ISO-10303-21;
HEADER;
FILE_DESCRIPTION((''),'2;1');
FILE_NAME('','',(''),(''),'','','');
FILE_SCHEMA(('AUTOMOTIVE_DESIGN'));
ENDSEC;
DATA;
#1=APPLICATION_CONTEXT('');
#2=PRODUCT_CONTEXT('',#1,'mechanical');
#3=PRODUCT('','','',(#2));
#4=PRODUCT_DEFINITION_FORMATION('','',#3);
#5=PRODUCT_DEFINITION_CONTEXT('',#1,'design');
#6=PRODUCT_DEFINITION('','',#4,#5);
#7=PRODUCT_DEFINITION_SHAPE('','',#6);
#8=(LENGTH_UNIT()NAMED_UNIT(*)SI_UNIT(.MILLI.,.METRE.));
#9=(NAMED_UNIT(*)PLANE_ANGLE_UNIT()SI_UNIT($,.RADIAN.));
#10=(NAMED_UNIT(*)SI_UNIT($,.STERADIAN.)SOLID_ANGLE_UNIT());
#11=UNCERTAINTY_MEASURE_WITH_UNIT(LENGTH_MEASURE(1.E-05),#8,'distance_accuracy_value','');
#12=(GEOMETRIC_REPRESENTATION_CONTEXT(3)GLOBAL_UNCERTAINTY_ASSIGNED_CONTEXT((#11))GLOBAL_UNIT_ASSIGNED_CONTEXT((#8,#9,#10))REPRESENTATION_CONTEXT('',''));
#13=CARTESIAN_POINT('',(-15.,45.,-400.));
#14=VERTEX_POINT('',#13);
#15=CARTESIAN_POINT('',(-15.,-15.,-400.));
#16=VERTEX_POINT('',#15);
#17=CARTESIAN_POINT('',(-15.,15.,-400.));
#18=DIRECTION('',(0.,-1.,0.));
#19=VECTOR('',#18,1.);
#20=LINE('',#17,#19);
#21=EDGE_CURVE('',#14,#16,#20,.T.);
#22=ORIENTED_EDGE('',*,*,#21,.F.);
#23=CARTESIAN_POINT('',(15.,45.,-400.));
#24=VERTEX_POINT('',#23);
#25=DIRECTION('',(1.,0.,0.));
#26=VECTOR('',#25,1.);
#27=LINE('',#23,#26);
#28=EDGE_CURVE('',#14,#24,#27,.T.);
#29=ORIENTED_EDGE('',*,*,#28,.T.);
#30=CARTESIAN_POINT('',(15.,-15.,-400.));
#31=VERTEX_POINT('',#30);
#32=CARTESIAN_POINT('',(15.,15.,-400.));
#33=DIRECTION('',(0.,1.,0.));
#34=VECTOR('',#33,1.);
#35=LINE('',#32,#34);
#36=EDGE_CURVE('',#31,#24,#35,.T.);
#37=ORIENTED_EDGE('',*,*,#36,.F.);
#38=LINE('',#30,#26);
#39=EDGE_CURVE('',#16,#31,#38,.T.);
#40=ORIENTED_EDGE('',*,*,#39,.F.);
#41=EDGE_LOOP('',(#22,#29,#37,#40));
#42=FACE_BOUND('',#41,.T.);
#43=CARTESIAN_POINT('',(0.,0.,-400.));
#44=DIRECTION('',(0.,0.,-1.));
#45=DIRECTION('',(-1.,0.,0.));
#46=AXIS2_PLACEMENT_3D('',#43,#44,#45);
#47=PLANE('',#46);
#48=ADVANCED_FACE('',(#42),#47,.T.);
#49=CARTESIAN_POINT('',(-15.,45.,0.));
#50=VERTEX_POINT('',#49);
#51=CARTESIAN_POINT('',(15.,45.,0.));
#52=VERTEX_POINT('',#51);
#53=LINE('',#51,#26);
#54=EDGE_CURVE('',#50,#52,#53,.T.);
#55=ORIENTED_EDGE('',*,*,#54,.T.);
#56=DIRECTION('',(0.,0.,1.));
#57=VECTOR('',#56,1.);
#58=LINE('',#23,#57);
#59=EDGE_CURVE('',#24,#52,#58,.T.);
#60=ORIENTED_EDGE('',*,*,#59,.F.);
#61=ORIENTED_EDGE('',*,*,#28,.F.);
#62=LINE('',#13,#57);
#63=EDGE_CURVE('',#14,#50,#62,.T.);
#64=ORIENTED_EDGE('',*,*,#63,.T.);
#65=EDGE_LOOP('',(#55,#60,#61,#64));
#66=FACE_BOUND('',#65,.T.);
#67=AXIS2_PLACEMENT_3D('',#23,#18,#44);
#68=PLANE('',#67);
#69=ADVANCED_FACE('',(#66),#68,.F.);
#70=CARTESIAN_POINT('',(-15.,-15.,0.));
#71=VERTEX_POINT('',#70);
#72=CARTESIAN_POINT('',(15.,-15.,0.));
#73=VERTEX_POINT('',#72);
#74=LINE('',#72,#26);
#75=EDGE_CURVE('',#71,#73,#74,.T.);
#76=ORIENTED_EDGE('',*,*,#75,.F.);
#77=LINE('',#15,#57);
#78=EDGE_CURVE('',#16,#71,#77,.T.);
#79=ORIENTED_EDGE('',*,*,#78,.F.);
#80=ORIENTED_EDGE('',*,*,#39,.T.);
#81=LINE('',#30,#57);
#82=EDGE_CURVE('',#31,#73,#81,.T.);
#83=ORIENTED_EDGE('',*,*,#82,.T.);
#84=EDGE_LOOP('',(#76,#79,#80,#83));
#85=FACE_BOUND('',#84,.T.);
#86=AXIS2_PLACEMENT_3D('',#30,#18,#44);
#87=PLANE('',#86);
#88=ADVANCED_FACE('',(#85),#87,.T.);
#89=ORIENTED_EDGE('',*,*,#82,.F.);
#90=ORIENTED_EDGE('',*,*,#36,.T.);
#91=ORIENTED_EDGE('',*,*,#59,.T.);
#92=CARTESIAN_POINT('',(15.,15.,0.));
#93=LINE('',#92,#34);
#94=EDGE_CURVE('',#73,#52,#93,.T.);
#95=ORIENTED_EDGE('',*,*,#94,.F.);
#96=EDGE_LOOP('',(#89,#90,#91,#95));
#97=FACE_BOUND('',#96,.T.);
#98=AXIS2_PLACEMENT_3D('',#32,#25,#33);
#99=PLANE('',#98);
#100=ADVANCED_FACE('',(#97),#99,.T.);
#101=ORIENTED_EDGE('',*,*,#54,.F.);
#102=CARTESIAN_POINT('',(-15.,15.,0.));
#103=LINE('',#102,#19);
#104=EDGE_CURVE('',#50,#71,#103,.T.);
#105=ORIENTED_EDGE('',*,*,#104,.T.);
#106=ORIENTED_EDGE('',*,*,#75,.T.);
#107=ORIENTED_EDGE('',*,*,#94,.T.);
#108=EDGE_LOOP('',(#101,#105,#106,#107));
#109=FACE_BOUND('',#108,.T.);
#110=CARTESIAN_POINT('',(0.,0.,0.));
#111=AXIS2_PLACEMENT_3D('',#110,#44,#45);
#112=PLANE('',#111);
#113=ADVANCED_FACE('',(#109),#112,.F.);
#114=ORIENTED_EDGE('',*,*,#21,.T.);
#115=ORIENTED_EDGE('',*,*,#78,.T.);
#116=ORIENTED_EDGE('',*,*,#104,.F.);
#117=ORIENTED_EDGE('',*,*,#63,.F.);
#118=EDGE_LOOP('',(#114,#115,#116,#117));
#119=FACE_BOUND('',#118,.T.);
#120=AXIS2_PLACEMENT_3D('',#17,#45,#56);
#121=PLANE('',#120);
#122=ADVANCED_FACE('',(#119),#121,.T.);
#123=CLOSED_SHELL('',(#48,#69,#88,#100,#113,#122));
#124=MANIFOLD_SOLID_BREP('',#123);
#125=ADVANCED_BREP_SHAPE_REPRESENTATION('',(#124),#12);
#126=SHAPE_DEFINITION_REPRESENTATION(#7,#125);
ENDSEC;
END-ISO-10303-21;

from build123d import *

# Parameters (mm, degrees)
SKETCH_1_W      = 30
SKETCH_1_H      = 30
EXTRUDE_1_DEPTH = 400


with BuildPart() as part:
    # 草圖1 → 填料-伸長1 (new body)
    with BuildSketch(Plane.XY):
        Rectangle(SKETCH_1_W, SKETCH_1_H)
    extrude_1 = extrude(amount=-EXTRUDE_1_DEPTH)

    # 鏡射1: 填料-伸長1 across plane
    add(extrude_1.mirror(Plane(origin=(15, 15, -400), x_dir=(0, 0, 1), z_dir=(0, 1, 0))))


solid = part.part
